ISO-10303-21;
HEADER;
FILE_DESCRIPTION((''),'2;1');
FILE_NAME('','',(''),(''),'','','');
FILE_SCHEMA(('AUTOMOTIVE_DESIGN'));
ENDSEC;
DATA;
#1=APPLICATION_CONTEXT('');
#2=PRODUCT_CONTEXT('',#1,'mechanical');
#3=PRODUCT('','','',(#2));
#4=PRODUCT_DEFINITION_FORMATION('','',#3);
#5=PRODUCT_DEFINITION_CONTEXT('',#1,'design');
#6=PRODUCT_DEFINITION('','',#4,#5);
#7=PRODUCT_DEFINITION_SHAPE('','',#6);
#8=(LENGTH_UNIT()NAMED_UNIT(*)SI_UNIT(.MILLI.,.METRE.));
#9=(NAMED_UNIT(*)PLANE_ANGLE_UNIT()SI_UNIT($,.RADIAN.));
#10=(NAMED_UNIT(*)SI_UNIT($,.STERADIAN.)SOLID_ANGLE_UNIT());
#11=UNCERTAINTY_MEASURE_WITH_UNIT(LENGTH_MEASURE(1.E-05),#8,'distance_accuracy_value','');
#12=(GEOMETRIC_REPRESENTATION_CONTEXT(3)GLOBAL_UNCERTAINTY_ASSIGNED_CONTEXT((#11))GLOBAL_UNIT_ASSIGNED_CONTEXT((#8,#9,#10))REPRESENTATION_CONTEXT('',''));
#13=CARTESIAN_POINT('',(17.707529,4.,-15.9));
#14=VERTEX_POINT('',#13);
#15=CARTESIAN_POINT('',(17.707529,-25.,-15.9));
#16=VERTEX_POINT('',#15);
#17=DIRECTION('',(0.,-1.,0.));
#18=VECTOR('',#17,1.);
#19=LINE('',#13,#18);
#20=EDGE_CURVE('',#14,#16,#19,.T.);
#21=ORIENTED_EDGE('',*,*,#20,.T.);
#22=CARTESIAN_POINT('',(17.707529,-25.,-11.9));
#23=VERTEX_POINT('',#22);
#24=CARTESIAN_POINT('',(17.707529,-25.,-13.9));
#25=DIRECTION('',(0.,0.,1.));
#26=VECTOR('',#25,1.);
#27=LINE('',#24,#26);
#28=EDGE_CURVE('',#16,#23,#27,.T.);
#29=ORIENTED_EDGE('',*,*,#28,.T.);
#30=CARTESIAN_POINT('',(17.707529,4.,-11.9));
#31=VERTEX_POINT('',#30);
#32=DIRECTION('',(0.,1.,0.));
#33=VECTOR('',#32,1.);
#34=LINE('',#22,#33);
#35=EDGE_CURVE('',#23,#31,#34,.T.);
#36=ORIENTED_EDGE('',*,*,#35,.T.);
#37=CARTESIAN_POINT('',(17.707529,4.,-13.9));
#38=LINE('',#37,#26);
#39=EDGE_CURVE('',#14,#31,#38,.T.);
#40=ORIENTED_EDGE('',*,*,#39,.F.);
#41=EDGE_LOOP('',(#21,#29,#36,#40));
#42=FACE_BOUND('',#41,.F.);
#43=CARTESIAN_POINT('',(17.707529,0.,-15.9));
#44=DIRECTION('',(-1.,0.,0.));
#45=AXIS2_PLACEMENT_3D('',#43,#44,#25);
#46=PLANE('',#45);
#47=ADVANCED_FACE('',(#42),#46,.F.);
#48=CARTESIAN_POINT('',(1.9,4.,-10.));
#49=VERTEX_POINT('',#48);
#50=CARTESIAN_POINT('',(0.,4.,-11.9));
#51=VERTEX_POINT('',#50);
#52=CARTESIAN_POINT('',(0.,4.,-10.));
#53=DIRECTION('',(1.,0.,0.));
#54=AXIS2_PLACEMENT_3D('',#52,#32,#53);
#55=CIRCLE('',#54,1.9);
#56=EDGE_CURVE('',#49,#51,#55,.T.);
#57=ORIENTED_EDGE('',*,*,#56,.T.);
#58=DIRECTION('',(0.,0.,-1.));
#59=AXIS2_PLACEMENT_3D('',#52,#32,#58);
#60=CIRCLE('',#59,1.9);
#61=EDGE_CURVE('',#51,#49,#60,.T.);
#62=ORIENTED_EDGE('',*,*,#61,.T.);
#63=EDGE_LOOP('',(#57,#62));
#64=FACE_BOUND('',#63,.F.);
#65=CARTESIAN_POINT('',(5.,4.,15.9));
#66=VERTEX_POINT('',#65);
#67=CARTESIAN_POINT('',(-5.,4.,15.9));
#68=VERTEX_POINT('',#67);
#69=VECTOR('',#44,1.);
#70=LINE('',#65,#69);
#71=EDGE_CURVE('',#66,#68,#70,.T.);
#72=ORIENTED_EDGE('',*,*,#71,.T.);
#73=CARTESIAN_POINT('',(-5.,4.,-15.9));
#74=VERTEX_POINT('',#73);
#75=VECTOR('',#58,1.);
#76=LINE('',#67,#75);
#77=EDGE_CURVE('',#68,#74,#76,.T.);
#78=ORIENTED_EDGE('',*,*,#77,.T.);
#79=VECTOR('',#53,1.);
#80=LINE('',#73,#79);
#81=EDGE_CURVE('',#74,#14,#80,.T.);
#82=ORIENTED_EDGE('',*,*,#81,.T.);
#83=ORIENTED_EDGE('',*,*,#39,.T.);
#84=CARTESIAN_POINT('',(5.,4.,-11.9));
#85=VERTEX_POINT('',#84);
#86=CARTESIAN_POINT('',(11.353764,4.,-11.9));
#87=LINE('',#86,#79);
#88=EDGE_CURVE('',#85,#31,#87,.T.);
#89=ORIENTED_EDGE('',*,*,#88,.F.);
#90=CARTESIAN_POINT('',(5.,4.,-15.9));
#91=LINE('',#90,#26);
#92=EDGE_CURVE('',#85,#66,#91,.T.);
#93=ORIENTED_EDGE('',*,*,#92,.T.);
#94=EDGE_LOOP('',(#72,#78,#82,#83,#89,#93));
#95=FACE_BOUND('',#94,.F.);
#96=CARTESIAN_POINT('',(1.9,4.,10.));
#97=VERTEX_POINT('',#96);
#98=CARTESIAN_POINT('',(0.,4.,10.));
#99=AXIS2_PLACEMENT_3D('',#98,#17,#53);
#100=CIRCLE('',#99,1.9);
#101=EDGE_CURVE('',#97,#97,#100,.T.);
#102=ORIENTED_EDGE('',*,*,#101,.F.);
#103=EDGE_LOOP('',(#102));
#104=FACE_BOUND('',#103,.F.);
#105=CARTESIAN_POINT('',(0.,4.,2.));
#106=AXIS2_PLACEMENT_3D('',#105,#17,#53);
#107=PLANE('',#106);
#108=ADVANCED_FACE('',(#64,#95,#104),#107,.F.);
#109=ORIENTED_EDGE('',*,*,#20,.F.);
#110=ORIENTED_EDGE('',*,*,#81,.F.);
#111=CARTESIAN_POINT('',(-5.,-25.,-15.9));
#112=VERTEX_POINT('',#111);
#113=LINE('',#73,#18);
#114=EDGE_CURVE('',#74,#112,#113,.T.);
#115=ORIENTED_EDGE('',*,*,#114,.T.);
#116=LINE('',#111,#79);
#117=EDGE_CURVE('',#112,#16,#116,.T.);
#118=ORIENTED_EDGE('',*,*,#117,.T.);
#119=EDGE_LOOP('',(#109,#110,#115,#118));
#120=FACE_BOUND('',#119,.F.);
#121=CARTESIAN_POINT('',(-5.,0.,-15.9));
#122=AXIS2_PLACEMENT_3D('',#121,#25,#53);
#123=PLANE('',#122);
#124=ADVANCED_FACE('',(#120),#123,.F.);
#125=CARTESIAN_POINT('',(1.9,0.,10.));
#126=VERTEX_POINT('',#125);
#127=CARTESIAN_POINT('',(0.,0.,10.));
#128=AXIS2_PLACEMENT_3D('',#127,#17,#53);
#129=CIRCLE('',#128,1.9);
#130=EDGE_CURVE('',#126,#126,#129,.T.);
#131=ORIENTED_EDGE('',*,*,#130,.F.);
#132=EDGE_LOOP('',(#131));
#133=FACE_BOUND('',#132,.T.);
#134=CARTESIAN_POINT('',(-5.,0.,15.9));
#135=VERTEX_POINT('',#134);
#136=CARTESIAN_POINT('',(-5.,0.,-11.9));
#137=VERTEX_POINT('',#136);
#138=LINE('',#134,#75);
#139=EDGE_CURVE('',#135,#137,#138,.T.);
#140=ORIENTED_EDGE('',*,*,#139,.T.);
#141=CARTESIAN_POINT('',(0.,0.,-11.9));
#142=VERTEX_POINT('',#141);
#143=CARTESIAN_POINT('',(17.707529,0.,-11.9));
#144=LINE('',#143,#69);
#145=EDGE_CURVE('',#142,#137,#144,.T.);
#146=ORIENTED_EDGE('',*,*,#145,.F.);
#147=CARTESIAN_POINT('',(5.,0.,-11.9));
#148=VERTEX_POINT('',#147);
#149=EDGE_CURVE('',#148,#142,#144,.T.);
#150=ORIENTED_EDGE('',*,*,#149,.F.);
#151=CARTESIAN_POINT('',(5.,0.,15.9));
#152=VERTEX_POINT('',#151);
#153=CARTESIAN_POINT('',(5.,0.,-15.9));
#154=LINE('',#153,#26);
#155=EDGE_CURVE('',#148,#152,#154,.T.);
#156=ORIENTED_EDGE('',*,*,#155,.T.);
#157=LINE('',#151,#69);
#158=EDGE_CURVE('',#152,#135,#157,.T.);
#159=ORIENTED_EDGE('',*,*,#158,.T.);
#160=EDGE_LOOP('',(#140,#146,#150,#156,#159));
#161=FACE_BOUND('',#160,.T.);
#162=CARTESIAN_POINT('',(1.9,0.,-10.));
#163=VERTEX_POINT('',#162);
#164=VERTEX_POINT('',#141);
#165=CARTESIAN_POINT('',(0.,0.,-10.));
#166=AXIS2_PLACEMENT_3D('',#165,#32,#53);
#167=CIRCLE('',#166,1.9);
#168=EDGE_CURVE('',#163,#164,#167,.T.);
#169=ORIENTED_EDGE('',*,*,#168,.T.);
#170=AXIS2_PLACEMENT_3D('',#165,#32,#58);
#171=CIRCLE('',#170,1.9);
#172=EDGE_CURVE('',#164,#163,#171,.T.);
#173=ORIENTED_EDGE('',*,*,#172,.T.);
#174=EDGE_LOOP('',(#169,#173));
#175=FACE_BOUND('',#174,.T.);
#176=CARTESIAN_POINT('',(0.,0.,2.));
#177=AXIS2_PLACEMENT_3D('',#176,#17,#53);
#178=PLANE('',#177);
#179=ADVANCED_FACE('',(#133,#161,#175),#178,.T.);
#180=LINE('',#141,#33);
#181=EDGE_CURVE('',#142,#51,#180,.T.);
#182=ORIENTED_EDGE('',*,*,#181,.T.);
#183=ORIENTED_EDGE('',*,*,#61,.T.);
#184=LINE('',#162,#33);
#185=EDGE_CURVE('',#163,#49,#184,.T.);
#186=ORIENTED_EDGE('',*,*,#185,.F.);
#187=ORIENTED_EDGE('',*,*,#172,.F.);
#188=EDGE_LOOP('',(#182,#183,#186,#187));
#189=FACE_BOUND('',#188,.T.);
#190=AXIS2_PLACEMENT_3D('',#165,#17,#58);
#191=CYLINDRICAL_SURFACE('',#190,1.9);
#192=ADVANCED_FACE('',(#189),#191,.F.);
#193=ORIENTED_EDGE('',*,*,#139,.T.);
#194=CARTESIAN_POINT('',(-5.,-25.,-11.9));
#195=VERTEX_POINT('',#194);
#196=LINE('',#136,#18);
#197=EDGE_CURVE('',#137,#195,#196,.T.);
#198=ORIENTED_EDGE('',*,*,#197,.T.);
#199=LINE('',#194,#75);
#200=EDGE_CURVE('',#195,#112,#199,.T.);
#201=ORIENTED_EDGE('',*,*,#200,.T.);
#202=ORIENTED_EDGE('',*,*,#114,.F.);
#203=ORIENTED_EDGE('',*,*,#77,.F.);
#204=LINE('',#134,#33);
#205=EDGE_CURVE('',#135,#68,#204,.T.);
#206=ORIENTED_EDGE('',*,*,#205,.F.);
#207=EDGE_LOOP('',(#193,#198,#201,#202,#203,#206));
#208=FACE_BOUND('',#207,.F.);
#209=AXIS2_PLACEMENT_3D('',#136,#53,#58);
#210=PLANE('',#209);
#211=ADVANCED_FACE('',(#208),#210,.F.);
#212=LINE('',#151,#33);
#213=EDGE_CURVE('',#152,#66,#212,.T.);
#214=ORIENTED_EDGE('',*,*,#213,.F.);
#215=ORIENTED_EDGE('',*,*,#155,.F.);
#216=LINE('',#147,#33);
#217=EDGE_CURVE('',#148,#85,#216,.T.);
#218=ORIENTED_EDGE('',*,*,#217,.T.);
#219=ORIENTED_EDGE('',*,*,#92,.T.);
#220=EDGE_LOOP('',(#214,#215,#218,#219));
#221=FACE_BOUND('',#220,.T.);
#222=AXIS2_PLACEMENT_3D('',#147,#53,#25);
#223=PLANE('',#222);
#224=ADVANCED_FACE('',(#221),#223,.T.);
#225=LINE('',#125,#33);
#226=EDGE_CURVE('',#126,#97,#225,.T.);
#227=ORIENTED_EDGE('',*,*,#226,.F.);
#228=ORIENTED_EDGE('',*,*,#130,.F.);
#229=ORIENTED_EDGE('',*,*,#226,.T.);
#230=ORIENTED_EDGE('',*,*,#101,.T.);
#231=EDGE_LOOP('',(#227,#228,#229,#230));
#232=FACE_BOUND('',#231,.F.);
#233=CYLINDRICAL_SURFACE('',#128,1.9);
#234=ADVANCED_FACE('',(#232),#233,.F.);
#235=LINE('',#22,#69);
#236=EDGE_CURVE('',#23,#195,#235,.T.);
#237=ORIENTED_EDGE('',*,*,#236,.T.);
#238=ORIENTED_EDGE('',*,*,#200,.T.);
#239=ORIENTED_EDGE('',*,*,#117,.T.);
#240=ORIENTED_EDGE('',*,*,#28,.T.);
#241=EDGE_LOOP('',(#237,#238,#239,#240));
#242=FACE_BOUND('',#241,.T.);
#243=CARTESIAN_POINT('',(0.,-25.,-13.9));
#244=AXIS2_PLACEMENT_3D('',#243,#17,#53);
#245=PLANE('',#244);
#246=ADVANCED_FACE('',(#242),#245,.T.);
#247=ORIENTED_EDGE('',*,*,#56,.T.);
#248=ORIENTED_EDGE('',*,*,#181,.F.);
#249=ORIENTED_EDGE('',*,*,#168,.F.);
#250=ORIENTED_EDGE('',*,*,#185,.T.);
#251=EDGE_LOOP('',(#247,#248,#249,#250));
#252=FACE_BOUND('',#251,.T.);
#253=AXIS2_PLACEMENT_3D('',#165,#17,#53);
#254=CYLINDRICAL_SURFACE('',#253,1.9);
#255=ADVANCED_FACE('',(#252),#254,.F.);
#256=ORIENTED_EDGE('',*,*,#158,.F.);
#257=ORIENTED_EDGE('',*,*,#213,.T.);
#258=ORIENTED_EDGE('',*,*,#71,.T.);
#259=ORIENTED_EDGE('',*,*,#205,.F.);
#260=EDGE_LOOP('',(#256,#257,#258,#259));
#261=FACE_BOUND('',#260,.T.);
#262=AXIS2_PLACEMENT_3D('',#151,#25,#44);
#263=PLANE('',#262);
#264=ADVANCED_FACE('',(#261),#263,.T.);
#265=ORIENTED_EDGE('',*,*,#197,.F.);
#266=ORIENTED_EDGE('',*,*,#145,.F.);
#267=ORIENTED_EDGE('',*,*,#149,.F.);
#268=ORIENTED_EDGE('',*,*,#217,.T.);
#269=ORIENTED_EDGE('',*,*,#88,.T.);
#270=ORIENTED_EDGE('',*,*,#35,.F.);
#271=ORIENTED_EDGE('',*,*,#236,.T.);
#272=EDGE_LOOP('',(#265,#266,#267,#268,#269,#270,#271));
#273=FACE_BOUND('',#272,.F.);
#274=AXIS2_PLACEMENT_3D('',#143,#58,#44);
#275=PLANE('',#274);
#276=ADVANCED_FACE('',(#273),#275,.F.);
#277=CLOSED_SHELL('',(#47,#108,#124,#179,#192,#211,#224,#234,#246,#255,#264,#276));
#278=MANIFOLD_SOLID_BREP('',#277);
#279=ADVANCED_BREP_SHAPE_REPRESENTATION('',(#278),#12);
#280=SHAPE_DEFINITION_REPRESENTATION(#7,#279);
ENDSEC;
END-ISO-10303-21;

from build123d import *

# Parameters (mm, degrees)
F0_R     = 1.9
F0_W     = 12.7075285465
F0_H     = 4
F1_DEPTH = 4
F2_DEPTH = 25


with BuildPart() as f1:
    # F0 (on Front) → F1 (new body)
    with BuildSketch(Plane.XZ):
        Polygon((5, 15.9), (-5, 15.9), (-5, -11.9), (0, -11.9), (5, -11.9), align=None)
        with BuildLine():
            ThreePointArc((1.9, -10), (1.3435028843, -11.3435028843), (0, -11.9))
            ThreePointArc((0, -11.9), (-1.3435028843, -8.6564971157), (1.9, -10))
        make_face(mode=Mode.SUBTRACT)
        with Locations((0, 10)):
            Circle(F0_R, mode=Mode.SUBTRACT)
        Polygon((0, -11.9), (-5, -11.9), (-5, -15.9), (5, -15.9), (5, -11.9), align=None)
        with Locations((11.3537642732, -13.9)):
            Rectangle(F0_W, F0_H)
    extrude(amount=-F1_DEPTH)

    # F0 (on Front) → F2 (join)
    with BuildSketch(Plane.XZ):
        Polygon((0, -11.9), (-5, -11.9), (-5, -15.9), (5, -15.9), (5, -11.9), align=None)
        with Locations((11.3537642732, -13.9)):
            Rectangle(F0_W, F0_H)
    extrude(amount=F2_DEPTH)


solid = f1.part
